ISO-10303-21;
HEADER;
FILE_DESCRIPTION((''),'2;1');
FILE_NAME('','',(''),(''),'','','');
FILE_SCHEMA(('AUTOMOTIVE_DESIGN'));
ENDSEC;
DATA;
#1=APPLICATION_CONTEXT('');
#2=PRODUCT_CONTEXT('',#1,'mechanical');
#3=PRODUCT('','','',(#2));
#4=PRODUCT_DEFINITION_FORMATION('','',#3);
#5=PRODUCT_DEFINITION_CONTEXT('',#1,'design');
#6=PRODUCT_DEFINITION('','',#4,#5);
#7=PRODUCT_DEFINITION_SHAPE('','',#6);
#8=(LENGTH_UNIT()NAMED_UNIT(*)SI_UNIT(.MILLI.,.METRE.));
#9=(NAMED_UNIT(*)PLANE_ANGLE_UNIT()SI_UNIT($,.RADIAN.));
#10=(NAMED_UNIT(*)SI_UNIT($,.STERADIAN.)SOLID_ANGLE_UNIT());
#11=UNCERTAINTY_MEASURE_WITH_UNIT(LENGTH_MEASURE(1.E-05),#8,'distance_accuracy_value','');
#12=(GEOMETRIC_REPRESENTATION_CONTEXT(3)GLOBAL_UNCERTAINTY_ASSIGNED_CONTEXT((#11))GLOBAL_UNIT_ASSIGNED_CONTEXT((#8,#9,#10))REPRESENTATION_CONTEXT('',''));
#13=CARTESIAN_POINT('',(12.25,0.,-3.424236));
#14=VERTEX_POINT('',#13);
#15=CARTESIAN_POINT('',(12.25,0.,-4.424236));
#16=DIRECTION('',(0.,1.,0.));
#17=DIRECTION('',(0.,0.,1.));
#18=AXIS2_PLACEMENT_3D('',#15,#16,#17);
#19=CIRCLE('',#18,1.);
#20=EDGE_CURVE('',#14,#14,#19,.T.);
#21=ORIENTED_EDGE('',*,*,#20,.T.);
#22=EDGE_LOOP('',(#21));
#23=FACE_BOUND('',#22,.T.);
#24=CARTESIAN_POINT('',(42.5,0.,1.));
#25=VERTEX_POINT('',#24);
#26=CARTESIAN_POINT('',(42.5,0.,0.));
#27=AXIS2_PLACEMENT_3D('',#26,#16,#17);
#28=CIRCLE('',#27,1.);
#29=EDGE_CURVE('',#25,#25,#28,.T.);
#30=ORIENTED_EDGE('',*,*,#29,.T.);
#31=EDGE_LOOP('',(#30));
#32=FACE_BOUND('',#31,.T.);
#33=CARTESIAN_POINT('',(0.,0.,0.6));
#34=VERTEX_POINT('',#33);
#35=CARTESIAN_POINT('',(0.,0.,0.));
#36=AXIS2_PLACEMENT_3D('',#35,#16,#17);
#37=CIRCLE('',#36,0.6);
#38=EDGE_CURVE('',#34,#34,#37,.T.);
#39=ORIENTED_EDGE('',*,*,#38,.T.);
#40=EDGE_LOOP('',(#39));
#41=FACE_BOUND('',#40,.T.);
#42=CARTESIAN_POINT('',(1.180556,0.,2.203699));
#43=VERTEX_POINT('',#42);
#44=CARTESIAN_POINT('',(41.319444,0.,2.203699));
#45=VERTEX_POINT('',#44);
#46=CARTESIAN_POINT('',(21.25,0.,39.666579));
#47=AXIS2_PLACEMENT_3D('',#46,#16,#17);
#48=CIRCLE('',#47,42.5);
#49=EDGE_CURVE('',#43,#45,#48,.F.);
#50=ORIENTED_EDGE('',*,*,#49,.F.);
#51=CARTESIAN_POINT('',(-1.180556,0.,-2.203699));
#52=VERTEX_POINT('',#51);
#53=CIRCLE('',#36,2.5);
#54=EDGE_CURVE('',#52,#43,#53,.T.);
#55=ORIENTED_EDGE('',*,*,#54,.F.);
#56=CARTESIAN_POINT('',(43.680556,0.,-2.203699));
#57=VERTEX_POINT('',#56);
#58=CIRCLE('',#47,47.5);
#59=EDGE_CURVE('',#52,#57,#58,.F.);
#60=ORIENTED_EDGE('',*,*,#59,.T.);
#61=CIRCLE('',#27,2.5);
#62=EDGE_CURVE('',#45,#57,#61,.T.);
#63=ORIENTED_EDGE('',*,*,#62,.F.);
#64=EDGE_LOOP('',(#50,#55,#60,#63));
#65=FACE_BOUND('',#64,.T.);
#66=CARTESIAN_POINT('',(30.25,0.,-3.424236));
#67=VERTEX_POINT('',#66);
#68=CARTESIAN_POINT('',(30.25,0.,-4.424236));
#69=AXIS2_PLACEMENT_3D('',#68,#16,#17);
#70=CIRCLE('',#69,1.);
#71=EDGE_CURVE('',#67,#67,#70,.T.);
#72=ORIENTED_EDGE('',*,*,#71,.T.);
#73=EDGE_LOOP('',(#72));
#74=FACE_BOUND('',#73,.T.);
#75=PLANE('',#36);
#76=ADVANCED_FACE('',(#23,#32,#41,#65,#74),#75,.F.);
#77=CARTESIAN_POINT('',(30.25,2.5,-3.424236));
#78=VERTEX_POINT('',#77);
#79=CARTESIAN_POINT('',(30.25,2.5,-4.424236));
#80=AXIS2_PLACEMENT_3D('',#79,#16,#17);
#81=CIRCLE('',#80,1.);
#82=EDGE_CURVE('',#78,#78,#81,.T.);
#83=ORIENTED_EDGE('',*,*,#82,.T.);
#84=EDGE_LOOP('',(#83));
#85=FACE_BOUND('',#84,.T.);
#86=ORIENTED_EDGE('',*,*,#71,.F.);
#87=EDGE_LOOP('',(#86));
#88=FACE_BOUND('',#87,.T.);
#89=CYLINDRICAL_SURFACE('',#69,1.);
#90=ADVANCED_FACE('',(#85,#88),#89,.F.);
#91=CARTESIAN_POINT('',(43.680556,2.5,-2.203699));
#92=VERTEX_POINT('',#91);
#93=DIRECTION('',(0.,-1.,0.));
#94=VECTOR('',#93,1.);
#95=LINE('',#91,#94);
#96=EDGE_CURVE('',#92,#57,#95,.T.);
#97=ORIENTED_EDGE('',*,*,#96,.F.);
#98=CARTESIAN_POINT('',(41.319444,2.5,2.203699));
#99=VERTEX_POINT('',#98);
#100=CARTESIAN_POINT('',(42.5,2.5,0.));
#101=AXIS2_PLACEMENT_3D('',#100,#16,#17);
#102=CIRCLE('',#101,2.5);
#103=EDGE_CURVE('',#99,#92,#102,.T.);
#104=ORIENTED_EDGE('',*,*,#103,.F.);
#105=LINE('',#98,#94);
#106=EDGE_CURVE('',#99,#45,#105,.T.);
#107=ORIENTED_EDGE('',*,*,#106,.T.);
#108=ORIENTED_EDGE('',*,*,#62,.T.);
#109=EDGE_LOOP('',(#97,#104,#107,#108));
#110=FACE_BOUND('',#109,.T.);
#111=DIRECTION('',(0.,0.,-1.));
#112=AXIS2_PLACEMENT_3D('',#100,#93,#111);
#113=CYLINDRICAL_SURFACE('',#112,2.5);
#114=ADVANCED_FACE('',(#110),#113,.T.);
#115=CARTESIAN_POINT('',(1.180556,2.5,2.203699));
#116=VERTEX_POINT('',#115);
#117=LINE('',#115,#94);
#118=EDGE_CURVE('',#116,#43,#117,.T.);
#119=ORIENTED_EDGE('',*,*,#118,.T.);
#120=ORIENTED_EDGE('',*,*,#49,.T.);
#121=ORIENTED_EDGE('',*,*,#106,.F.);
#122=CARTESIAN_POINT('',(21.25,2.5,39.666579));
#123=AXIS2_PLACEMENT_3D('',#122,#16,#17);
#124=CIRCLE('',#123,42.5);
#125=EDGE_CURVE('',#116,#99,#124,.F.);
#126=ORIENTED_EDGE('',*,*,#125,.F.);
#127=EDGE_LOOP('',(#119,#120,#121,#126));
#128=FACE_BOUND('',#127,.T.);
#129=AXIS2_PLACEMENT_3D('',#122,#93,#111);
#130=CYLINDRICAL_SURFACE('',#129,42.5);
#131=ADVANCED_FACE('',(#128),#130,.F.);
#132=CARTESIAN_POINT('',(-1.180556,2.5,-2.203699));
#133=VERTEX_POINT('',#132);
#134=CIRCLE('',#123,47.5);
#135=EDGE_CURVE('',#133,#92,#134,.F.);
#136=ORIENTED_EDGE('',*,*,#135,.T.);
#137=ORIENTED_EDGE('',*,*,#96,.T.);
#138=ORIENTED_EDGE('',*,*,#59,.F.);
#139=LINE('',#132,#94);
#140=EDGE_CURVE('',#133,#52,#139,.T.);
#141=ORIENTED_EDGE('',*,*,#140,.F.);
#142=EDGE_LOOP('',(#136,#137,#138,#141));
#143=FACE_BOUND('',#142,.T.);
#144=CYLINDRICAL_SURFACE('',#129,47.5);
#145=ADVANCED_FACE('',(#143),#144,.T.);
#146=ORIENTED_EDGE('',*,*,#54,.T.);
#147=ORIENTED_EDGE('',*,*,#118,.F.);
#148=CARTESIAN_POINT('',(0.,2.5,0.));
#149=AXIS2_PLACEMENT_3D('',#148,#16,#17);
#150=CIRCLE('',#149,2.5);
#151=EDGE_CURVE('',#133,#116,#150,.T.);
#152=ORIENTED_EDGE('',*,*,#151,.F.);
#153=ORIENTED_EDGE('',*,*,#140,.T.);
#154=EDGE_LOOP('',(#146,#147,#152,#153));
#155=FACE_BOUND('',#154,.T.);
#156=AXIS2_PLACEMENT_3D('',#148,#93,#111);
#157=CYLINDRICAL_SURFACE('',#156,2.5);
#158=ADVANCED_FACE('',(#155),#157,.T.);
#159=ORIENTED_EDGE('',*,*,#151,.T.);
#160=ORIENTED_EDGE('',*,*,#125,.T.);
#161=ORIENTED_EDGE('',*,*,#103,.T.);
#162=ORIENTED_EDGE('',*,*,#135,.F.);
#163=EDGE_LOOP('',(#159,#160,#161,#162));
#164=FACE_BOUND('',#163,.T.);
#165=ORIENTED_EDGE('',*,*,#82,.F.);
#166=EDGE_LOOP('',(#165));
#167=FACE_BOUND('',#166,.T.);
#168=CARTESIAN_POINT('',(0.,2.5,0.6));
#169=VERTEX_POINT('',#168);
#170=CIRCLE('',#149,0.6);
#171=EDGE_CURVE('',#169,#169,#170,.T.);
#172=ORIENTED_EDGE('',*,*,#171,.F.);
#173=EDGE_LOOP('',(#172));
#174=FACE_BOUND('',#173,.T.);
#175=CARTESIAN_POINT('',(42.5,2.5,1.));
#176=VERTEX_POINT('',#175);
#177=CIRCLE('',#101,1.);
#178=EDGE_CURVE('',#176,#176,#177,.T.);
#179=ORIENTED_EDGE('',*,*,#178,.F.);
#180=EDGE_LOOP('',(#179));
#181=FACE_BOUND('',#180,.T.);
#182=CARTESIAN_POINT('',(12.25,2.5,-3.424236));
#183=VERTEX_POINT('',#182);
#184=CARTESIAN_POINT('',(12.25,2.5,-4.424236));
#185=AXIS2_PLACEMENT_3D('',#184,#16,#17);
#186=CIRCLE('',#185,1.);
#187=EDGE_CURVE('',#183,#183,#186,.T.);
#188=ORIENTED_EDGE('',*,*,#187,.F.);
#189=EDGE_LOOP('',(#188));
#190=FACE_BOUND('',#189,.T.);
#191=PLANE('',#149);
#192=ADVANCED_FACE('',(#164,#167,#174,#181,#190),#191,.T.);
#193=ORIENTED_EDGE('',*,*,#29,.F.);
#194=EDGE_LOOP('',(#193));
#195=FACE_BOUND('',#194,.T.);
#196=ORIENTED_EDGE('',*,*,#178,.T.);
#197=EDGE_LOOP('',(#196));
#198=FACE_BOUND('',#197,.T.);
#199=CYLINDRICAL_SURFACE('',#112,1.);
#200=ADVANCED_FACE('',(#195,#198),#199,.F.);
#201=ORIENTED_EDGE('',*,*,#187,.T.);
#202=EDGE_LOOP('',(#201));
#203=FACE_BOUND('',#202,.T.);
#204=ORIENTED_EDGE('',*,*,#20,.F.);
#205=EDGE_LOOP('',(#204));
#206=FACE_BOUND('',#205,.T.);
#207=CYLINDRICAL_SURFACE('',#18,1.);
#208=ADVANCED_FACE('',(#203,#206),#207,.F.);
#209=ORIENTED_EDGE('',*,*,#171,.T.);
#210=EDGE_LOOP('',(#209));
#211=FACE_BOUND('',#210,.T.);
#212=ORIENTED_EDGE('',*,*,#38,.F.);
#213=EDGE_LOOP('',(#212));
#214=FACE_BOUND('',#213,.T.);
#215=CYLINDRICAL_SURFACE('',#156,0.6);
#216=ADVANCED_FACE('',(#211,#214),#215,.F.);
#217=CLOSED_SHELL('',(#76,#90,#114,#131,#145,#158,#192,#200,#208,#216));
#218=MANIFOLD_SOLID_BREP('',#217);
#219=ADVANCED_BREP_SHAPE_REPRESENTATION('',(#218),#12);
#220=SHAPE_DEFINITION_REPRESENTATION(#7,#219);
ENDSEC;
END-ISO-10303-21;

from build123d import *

# Parameters (mm, degrees)
SKETCH1_R           = 2.5
SKETCH1_R_2         = 0.6
SKETCH1_R_3         = 1
BOSS_EXTRUDE1_DEPTH = 2.5
SKETCH2_R           = 1
CUT_EXTRUDE1_DEPTH  = 46.745081512


with BuildPart() as part:
    # Sketch1 → Boss-Extrude1 (new body)
    # profile 1 of 3: a face of its own
    with BuildSketch(Plane(origin=(0, 0, 0), x_dir=(1, 0, 0), z_dir=(0, 1, 0))):
        Circle(SKETCH1_R)
        with Locations(Location((0, 0, 0), (0, 0, 270))):
            Circle(SKETCH1_R_2, mode=Mode.SUBTRACT)
    # profile 2 of 3: a face of its own
    with BuildSketch(Plane(origin=(0, 0, 0), x_dir=(1, 0, 0), z_dir=(0, 1, 0))):
        with BuildLine():
            ThreePointArc((-1.180555556, 2.203698841), (1.284252917, 2.144922946), (2.5, 0))
            ThreePointArc((2.5, 0), (2.144922946, -1.284252917), (1.180555556, -2.203698841))
            ThreePointArc((1.180555556, -2.203698841), (21.25, 2.833420868), (41.319444444, -2.203698841))
            ThreePointArc((41.319444444, -2.203698841), (40.296301159, 1.180555556), (43.680555556, 2.203698841))
            ThreePointArc((43.680555556, 2.203698841), (21.25, 7.833420868), (-1.180555556, 2.203698841))
        make_face()
    # profile 3 of 3: a face of its own
    with BuildSketch(Plane(origin=(0, 0, 0), x_dir=(1, 0, 0), z_dir=(0, 1, 0))):
        with Locations((42.5, 0)):
            Circle(SKETCH1_R)
        with Locations(Location((42.5, 0, 0), (0, 0, 270))):
            Circle(SKETCH1_R_3, mode=Mode.SUBTRACT)
    extrude(amount=BOSS_EXTRUDE1_DEPTH)

    # Sketch2 → Cut-Extrude1 (cut, through all)
    with BuildSketch(Plane(origin=(0, 2.5, 0), x_dir=(1, 0, 0), z_dir=(0, 1, 0))):
        with Locations(Location((12.25, 4.424236239, 0), (0, 0, 270))):
            Circle(SKETCH2_R)
        with Locations(Location((30.25, 4.424236239, 0), (0, 0, 270))):
            Circle(SKETCH2_R)
    extrude(amount=-CUT_EXTRUDE1_DEPTH, mode=Mode.SUBTRACT)


solid = part.part
